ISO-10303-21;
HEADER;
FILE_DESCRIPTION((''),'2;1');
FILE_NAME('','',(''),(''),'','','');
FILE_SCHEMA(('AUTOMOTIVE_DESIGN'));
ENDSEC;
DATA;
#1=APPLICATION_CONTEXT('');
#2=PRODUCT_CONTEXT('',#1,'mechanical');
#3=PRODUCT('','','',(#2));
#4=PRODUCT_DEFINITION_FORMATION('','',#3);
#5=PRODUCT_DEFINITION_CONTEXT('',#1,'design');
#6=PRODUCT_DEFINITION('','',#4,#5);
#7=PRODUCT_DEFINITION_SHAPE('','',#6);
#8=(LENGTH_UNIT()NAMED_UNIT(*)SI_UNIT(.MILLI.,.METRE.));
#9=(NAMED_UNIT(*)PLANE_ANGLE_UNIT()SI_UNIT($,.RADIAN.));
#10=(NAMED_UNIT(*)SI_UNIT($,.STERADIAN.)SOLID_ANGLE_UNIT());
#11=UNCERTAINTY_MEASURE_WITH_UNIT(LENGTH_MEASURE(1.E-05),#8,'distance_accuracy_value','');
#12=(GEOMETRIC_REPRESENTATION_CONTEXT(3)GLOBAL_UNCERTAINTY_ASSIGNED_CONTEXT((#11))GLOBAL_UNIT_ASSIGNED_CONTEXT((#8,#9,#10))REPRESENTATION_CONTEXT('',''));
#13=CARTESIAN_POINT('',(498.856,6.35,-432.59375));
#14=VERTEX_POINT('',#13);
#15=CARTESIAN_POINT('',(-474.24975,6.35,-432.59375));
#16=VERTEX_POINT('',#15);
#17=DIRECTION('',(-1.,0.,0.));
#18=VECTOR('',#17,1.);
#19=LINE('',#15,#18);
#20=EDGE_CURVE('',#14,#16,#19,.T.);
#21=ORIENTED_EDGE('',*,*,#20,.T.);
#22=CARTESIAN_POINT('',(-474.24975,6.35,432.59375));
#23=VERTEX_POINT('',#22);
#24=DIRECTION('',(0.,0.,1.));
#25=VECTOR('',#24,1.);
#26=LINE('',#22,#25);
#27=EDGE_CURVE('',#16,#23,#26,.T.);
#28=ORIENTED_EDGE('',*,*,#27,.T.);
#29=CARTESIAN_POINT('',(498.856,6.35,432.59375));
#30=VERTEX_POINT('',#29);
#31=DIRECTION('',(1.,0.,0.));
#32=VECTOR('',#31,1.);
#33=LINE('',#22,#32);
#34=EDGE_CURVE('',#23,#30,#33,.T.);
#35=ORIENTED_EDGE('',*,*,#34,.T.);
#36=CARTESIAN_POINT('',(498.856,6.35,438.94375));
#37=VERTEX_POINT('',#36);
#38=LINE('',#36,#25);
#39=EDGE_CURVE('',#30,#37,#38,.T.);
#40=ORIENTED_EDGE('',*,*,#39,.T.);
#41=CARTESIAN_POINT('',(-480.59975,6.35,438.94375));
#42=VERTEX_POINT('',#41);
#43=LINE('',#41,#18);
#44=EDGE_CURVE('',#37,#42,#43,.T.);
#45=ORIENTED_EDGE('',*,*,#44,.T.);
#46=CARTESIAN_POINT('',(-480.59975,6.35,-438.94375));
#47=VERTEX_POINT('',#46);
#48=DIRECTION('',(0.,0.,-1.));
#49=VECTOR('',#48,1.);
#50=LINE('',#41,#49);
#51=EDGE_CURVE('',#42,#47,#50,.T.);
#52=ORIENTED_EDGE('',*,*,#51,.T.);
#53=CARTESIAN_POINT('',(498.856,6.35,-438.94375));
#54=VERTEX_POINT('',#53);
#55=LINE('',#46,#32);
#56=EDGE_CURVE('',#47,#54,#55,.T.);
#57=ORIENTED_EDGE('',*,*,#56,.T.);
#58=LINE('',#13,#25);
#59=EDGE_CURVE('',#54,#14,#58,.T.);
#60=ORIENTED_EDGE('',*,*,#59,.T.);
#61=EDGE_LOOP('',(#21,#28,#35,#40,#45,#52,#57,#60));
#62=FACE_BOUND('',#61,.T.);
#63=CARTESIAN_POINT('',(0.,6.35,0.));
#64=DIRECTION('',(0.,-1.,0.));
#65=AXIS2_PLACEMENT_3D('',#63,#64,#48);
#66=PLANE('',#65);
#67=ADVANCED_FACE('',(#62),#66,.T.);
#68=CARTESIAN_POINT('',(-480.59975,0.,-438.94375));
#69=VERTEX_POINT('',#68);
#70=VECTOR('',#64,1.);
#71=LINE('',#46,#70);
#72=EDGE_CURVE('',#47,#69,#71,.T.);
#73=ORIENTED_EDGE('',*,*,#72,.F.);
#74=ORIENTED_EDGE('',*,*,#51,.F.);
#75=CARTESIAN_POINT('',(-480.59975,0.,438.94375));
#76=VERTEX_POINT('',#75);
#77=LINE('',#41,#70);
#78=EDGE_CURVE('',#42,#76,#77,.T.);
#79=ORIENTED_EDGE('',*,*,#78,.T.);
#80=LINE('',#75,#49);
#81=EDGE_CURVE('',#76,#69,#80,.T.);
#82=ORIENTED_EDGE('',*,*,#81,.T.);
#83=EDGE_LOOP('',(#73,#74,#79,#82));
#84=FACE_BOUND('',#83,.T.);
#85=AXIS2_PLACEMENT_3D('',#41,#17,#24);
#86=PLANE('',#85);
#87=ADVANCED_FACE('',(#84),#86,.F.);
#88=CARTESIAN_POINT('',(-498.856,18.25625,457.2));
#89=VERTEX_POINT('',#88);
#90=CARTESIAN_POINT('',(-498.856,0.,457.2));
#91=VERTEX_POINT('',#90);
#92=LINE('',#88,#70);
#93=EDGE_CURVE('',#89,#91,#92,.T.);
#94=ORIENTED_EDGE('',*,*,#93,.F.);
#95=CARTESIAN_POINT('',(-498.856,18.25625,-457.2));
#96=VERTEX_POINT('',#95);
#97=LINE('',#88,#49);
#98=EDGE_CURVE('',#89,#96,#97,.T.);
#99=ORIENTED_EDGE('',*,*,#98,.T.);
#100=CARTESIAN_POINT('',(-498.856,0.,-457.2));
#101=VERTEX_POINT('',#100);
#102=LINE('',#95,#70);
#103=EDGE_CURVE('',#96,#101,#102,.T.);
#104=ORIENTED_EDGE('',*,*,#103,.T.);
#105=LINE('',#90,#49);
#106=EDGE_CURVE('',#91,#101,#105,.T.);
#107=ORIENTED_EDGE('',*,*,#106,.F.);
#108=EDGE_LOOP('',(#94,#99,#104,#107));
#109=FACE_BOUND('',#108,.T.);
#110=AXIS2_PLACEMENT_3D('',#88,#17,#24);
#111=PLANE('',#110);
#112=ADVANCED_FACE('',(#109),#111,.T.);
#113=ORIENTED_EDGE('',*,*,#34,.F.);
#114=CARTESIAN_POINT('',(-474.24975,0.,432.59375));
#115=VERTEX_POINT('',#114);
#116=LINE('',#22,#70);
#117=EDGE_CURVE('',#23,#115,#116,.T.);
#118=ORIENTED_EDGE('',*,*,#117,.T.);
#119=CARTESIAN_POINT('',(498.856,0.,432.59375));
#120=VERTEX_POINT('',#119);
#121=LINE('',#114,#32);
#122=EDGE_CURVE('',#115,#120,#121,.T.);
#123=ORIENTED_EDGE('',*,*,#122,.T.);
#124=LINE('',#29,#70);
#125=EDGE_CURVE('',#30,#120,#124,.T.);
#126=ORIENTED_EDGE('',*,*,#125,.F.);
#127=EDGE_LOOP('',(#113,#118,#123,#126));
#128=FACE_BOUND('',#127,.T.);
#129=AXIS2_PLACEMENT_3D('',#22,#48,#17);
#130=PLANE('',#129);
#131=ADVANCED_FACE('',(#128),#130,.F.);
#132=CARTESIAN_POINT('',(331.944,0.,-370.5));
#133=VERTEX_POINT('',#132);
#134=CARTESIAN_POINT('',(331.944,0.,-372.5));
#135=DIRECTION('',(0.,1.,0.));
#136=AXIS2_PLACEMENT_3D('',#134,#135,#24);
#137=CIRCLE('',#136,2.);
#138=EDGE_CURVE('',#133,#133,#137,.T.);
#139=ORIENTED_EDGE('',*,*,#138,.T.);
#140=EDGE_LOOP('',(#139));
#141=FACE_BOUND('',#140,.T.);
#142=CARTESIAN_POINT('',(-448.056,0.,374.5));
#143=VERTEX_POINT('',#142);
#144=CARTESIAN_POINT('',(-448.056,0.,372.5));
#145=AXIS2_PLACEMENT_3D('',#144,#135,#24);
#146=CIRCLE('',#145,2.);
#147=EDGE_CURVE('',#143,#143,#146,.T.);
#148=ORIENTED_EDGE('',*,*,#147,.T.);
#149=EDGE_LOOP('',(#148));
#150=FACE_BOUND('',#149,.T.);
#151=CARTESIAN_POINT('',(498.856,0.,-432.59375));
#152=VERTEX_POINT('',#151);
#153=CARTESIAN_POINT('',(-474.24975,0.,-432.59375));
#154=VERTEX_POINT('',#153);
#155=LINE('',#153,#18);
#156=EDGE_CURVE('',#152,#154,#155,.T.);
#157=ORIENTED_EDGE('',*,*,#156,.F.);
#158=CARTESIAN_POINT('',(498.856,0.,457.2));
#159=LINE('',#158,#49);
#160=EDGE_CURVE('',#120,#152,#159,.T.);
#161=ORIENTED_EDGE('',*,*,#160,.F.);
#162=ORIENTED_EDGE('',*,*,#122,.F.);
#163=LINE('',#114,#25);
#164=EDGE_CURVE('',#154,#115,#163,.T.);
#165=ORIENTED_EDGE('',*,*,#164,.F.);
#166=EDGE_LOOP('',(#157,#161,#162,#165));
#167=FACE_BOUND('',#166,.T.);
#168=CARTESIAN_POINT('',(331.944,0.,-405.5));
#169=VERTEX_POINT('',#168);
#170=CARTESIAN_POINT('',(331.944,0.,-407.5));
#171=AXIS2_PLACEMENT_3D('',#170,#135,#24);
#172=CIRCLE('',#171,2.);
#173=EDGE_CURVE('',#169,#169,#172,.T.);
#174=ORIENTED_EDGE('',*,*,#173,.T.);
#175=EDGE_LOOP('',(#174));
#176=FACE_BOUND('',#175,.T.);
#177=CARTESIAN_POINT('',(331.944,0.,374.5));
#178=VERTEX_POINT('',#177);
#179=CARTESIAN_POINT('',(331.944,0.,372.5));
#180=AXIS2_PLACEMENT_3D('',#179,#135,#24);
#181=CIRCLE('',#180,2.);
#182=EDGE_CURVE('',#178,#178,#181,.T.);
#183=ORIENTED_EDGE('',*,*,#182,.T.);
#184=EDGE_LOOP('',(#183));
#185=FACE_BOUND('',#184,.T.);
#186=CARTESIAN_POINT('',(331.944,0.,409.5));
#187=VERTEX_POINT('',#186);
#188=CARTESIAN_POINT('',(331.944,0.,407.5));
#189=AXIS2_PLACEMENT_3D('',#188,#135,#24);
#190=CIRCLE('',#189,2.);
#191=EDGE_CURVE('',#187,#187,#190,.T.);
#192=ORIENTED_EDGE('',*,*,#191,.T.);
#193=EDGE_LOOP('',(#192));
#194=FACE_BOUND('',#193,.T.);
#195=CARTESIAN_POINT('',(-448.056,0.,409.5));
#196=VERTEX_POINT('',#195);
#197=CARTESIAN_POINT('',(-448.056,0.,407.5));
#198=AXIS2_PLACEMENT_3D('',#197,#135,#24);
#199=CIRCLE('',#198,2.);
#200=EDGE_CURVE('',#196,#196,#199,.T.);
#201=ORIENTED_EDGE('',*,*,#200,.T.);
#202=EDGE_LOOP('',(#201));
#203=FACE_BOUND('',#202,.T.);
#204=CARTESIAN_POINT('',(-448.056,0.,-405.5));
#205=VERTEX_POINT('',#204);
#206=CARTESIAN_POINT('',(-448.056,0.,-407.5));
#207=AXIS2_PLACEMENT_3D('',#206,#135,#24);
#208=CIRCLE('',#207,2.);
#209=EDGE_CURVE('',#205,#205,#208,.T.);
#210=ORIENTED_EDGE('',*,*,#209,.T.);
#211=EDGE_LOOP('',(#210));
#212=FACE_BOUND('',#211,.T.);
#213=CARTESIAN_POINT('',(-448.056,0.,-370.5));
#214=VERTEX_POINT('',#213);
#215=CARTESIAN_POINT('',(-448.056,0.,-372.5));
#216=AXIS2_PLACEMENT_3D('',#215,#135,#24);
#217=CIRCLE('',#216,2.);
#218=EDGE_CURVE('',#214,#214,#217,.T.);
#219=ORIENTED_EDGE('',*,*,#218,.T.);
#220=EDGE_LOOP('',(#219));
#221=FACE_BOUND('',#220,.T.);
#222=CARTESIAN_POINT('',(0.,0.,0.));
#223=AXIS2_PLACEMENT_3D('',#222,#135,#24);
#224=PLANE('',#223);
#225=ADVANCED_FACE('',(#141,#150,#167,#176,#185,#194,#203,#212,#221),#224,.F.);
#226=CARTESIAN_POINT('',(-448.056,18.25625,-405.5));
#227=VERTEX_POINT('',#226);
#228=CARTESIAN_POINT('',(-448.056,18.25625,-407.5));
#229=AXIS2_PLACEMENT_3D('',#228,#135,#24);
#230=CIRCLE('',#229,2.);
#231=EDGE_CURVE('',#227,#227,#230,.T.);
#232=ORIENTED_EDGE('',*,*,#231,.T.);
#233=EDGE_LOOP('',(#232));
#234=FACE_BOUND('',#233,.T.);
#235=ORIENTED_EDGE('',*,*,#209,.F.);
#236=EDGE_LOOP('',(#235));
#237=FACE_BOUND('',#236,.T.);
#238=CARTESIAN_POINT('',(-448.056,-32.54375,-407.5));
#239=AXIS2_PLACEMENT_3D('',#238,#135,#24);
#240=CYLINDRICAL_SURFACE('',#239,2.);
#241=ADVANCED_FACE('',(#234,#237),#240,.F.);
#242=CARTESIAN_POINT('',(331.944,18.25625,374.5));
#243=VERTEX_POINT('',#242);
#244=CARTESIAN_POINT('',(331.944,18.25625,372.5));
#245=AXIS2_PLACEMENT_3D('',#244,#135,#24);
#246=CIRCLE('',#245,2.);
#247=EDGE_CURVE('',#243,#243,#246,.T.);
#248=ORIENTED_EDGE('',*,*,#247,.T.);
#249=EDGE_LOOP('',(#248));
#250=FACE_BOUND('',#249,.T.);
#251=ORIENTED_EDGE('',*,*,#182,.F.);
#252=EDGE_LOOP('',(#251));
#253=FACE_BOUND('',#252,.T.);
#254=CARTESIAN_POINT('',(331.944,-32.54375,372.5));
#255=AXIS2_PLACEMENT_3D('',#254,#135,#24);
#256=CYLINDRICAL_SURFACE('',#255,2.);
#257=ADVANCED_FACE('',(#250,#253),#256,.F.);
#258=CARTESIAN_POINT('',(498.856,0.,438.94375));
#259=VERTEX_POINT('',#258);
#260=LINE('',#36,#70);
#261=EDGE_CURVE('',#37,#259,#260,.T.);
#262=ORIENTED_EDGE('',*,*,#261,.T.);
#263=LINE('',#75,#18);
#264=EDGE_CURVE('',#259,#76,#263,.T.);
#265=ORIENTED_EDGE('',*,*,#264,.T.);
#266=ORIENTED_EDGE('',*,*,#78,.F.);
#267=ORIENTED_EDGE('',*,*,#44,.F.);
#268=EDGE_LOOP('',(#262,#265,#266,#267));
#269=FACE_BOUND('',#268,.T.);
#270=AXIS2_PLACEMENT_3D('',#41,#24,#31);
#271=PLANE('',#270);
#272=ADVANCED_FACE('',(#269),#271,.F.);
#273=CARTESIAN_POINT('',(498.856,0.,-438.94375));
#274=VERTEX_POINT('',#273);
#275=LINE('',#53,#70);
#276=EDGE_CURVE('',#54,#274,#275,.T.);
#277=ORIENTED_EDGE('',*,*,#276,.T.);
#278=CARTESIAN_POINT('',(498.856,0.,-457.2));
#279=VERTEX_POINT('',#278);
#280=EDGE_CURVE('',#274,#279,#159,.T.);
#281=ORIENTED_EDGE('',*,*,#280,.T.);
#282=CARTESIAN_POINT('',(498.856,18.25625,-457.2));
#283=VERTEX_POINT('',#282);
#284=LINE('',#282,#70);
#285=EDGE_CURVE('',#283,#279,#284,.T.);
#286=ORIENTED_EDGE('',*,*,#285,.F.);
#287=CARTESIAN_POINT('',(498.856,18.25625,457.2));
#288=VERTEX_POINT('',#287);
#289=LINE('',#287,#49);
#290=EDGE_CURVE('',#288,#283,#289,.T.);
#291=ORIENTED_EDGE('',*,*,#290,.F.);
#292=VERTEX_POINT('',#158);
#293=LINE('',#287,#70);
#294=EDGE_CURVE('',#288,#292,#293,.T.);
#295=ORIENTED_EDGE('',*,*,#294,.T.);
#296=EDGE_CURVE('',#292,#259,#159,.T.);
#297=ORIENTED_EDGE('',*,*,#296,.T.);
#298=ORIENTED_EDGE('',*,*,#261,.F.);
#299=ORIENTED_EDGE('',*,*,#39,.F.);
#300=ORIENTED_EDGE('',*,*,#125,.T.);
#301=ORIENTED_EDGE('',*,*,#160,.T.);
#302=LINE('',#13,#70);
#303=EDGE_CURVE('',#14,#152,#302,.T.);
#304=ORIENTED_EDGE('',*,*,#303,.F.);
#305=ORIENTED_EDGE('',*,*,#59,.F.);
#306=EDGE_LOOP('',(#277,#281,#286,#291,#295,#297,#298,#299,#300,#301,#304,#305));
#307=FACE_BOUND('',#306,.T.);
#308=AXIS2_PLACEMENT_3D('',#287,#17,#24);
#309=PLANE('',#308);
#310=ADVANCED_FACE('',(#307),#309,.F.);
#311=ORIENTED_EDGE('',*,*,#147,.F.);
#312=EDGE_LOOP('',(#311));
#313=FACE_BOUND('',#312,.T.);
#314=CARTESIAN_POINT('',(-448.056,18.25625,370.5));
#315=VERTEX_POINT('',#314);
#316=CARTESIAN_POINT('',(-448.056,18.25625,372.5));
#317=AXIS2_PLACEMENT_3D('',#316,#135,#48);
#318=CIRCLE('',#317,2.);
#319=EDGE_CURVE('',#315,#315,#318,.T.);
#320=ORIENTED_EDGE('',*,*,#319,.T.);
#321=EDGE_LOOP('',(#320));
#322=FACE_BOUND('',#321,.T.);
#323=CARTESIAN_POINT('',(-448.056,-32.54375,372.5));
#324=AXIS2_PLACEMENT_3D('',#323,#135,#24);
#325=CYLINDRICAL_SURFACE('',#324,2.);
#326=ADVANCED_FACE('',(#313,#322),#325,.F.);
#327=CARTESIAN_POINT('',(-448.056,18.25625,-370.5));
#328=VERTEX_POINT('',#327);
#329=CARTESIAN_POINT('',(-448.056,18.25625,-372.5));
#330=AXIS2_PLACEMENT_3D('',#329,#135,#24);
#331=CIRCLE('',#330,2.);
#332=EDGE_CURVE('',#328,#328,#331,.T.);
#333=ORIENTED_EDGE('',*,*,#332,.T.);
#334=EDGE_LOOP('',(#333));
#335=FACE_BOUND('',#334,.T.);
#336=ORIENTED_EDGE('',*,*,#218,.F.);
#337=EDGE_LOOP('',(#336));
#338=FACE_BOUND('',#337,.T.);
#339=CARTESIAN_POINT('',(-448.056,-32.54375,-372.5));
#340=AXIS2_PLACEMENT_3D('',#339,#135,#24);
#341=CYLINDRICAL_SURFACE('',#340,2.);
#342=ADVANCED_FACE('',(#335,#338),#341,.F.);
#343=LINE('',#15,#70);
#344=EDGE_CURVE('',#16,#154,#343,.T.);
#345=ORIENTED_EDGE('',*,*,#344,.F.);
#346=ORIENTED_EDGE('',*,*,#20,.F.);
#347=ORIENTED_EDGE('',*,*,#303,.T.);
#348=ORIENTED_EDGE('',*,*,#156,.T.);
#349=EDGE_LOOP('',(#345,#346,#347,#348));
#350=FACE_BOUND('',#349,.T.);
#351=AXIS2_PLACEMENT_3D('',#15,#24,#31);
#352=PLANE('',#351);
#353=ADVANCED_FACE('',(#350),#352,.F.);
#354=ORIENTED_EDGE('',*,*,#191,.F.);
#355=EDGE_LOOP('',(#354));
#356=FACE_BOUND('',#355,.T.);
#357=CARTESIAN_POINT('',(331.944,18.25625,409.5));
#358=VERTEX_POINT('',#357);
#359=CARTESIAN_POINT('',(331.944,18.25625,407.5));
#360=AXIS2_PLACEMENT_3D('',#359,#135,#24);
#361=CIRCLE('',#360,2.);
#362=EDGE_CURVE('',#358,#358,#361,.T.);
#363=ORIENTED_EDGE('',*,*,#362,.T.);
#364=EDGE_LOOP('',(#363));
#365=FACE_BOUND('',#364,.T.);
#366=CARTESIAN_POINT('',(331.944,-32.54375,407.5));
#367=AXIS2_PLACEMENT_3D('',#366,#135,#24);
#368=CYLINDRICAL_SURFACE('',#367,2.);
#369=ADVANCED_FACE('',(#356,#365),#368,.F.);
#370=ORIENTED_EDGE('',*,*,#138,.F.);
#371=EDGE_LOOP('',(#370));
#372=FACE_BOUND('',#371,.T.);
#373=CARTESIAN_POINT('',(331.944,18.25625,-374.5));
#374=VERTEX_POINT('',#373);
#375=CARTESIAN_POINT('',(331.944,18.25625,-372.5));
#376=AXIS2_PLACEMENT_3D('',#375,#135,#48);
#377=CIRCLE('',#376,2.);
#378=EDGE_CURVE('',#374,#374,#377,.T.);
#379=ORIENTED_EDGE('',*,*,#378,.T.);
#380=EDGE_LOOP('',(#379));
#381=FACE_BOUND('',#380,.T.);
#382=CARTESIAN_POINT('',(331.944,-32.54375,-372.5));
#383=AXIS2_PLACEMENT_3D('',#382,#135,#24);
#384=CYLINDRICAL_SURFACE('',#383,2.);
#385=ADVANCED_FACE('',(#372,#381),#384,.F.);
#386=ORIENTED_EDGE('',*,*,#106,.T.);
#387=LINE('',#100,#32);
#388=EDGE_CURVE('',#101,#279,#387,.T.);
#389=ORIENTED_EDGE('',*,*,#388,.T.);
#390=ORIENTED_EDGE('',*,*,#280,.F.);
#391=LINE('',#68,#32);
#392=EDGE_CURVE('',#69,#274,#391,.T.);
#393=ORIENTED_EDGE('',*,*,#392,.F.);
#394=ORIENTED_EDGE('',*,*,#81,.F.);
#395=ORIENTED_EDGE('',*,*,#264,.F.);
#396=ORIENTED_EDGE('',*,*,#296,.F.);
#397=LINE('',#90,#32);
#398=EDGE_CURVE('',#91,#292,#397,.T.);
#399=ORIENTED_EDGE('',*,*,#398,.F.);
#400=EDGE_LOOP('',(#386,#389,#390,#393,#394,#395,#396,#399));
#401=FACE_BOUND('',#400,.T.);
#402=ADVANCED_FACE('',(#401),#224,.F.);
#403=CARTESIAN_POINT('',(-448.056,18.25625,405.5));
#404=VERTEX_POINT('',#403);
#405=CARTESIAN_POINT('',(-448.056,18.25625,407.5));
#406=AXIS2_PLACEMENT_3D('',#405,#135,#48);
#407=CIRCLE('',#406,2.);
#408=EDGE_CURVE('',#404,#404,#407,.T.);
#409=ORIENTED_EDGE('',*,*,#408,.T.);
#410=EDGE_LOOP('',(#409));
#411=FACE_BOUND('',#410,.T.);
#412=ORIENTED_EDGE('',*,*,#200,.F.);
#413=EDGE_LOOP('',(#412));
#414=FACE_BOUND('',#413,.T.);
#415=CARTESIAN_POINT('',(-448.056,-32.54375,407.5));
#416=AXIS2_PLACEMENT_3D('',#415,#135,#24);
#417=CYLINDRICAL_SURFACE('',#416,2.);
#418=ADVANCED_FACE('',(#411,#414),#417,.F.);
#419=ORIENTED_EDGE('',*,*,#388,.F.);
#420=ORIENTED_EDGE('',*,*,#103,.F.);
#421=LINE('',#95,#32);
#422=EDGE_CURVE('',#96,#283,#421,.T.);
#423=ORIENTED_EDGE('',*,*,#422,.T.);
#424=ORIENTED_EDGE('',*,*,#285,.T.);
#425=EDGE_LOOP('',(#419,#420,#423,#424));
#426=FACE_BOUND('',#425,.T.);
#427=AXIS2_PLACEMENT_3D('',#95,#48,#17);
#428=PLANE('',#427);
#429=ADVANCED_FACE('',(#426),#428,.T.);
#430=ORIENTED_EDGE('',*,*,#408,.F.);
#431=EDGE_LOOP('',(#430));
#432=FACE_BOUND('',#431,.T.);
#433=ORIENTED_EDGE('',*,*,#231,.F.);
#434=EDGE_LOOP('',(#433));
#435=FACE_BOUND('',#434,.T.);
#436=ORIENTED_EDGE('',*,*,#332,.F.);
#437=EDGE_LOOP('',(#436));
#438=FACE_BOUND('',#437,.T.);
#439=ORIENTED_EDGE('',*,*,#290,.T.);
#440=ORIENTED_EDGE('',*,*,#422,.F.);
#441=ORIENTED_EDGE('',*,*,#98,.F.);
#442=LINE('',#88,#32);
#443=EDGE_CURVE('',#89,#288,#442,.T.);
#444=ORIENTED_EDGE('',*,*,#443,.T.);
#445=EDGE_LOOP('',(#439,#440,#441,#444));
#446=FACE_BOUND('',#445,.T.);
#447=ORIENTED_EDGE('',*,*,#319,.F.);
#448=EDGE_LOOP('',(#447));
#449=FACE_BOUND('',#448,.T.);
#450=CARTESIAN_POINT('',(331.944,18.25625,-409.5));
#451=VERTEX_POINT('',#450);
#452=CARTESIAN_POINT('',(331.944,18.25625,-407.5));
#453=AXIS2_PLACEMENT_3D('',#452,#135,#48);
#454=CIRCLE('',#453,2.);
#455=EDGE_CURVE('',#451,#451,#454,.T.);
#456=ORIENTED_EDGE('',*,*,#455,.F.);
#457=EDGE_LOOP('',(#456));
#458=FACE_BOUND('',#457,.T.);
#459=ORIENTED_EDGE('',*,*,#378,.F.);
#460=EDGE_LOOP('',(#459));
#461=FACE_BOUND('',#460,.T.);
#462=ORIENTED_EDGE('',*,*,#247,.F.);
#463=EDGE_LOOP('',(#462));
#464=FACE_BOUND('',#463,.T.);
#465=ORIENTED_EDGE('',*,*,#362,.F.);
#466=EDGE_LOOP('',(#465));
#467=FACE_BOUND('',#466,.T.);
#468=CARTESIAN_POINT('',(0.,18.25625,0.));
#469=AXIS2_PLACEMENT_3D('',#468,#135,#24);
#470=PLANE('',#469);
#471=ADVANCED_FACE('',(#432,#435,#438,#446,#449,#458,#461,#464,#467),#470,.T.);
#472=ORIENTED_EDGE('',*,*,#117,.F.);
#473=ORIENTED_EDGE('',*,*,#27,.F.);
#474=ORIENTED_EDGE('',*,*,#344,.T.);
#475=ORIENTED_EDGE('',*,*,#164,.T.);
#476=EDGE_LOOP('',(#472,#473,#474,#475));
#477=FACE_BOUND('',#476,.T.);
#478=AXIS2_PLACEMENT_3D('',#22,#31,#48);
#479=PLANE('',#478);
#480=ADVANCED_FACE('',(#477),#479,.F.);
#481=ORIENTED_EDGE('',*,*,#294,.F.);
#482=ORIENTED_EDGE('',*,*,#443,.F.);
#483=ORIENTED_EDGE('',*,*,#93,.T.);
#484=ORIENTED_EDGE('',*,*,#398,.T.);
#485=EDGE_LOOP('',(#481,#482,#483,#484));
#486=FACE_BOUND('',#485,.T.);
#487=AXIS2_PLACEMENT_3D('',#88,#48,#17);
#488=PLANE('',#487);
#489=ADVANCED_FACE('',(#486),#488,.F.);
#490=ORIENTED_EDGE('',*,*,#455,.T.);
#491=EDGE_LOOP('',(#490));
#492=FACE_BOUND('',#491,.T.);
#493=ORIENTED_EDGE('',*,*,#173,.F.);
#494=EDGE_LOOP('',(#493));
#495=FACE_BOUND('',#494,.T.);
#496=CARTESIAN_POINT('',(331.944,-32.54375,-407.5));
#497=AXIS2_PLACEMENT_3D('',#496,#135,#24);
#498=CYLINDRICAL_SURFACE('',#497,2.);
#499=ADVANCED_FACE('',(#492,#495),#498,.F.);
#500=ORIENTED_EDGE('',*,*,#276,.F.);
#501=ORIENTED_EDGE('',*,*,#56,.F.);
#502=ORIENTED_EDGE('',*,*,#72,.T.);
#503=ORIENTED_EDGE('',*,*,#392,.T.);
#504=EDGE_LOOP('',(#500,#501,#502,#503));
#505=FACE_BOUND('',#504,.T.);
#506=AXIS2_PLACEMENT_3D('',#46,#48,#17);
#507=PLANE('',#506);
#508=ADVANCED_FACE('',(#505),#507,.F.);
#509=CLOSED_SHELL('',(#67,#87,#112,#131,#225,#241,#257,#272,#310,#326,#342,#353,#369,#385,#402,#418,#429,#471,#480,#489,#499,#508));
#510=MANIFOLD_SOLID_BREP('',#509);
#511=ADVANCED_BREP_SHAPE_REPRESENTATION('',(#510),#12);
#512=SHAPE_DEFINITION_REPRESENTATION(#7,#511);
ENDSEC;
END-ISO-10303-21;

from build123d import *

# Parameters (mm, degrees)
SKETCH1_W           = 997.712
SKETCH1_H           = 914.4
BOSS_EXTRUDE1_DEPTH = 18.25625
SKETCH2_R           = 2
CUT_EXTRUDE1_DEPTH  = 50.8
CUT_EXTRUDE3_DEPTH  = 6.35


with BuildPart() as part:
    # Sketch1 → Boss-Extrude1 (new body)
    with BuildSketch(Plane(origin=(0, 0, 0), x_dir=(1, 0, 0), z_dir=(0, 1, 0))):
        Rectangle(SKETCH1_W, SKETCH1_H)
    extrude(amount=BOSS_EXTRUDE1_DEPTH)

    # Sketch2 → Cut-Extrude1 (cut)
    with BuildSketch(Plane(origin=(0, 18.25625, 0), x_dir=(1, 0, 0), z_dir=(0, 1, 0))):
        with Locations(Location((-448.056, 407.5, 0), (0, 0, 270))):
            Circle(SKETCH2_R)
        with Locations(Location((-448.056, 372.5, 0), (0, 0, 270))):
            Circle(SKETCH2_R)
        with Locations(Location((331.944, 372.5, 0), (0, 0, 270))):
            Circle(SKETCH2_R)
        with Locations(Location((331.944, 407.5, 0), (0, 0, 270))):
            Circle(SKETCH2_R)
        with Locations(Location((-448.056, -372.5, 0), (0, 0, 270))):
            Circle(SKETCH2_R)
        with Locations(Location((-448.056, -407.5, 0), (0, 0, 270))):
            Circle(SKETCH2_R)
        with Locations(Location((331.944, -372.5, 0), (0, 0, 270))):
            Circle(SKETCH2_R)
        with Locations(Location((331.944, -407.5, 0), (0, 0, 270))):
            Circle(SKETCH2_R)
    extrude(amount=-CUT_EXTRUDE1_DEPTH, mode=Mode.SUBTRACT)

    # Sketch4 → Cut-Extrude3 (cut)
    with BuildSketch(Plane.XZ):
        Polygon((-480.59975, -438.94375), (498.856, -438.94375), (498.856, -432.59375), (-474.24975, -432.59375), (-474.24975, 432.59375), (498.856, 432.59375), (498.856, 438.94375), (-480.59975, 438.94375), align=None)
    extrude(amount=-CUT_EXTRUDE3_DEPTH, mode=Mode.SUBTRACT)


solid = part.part
